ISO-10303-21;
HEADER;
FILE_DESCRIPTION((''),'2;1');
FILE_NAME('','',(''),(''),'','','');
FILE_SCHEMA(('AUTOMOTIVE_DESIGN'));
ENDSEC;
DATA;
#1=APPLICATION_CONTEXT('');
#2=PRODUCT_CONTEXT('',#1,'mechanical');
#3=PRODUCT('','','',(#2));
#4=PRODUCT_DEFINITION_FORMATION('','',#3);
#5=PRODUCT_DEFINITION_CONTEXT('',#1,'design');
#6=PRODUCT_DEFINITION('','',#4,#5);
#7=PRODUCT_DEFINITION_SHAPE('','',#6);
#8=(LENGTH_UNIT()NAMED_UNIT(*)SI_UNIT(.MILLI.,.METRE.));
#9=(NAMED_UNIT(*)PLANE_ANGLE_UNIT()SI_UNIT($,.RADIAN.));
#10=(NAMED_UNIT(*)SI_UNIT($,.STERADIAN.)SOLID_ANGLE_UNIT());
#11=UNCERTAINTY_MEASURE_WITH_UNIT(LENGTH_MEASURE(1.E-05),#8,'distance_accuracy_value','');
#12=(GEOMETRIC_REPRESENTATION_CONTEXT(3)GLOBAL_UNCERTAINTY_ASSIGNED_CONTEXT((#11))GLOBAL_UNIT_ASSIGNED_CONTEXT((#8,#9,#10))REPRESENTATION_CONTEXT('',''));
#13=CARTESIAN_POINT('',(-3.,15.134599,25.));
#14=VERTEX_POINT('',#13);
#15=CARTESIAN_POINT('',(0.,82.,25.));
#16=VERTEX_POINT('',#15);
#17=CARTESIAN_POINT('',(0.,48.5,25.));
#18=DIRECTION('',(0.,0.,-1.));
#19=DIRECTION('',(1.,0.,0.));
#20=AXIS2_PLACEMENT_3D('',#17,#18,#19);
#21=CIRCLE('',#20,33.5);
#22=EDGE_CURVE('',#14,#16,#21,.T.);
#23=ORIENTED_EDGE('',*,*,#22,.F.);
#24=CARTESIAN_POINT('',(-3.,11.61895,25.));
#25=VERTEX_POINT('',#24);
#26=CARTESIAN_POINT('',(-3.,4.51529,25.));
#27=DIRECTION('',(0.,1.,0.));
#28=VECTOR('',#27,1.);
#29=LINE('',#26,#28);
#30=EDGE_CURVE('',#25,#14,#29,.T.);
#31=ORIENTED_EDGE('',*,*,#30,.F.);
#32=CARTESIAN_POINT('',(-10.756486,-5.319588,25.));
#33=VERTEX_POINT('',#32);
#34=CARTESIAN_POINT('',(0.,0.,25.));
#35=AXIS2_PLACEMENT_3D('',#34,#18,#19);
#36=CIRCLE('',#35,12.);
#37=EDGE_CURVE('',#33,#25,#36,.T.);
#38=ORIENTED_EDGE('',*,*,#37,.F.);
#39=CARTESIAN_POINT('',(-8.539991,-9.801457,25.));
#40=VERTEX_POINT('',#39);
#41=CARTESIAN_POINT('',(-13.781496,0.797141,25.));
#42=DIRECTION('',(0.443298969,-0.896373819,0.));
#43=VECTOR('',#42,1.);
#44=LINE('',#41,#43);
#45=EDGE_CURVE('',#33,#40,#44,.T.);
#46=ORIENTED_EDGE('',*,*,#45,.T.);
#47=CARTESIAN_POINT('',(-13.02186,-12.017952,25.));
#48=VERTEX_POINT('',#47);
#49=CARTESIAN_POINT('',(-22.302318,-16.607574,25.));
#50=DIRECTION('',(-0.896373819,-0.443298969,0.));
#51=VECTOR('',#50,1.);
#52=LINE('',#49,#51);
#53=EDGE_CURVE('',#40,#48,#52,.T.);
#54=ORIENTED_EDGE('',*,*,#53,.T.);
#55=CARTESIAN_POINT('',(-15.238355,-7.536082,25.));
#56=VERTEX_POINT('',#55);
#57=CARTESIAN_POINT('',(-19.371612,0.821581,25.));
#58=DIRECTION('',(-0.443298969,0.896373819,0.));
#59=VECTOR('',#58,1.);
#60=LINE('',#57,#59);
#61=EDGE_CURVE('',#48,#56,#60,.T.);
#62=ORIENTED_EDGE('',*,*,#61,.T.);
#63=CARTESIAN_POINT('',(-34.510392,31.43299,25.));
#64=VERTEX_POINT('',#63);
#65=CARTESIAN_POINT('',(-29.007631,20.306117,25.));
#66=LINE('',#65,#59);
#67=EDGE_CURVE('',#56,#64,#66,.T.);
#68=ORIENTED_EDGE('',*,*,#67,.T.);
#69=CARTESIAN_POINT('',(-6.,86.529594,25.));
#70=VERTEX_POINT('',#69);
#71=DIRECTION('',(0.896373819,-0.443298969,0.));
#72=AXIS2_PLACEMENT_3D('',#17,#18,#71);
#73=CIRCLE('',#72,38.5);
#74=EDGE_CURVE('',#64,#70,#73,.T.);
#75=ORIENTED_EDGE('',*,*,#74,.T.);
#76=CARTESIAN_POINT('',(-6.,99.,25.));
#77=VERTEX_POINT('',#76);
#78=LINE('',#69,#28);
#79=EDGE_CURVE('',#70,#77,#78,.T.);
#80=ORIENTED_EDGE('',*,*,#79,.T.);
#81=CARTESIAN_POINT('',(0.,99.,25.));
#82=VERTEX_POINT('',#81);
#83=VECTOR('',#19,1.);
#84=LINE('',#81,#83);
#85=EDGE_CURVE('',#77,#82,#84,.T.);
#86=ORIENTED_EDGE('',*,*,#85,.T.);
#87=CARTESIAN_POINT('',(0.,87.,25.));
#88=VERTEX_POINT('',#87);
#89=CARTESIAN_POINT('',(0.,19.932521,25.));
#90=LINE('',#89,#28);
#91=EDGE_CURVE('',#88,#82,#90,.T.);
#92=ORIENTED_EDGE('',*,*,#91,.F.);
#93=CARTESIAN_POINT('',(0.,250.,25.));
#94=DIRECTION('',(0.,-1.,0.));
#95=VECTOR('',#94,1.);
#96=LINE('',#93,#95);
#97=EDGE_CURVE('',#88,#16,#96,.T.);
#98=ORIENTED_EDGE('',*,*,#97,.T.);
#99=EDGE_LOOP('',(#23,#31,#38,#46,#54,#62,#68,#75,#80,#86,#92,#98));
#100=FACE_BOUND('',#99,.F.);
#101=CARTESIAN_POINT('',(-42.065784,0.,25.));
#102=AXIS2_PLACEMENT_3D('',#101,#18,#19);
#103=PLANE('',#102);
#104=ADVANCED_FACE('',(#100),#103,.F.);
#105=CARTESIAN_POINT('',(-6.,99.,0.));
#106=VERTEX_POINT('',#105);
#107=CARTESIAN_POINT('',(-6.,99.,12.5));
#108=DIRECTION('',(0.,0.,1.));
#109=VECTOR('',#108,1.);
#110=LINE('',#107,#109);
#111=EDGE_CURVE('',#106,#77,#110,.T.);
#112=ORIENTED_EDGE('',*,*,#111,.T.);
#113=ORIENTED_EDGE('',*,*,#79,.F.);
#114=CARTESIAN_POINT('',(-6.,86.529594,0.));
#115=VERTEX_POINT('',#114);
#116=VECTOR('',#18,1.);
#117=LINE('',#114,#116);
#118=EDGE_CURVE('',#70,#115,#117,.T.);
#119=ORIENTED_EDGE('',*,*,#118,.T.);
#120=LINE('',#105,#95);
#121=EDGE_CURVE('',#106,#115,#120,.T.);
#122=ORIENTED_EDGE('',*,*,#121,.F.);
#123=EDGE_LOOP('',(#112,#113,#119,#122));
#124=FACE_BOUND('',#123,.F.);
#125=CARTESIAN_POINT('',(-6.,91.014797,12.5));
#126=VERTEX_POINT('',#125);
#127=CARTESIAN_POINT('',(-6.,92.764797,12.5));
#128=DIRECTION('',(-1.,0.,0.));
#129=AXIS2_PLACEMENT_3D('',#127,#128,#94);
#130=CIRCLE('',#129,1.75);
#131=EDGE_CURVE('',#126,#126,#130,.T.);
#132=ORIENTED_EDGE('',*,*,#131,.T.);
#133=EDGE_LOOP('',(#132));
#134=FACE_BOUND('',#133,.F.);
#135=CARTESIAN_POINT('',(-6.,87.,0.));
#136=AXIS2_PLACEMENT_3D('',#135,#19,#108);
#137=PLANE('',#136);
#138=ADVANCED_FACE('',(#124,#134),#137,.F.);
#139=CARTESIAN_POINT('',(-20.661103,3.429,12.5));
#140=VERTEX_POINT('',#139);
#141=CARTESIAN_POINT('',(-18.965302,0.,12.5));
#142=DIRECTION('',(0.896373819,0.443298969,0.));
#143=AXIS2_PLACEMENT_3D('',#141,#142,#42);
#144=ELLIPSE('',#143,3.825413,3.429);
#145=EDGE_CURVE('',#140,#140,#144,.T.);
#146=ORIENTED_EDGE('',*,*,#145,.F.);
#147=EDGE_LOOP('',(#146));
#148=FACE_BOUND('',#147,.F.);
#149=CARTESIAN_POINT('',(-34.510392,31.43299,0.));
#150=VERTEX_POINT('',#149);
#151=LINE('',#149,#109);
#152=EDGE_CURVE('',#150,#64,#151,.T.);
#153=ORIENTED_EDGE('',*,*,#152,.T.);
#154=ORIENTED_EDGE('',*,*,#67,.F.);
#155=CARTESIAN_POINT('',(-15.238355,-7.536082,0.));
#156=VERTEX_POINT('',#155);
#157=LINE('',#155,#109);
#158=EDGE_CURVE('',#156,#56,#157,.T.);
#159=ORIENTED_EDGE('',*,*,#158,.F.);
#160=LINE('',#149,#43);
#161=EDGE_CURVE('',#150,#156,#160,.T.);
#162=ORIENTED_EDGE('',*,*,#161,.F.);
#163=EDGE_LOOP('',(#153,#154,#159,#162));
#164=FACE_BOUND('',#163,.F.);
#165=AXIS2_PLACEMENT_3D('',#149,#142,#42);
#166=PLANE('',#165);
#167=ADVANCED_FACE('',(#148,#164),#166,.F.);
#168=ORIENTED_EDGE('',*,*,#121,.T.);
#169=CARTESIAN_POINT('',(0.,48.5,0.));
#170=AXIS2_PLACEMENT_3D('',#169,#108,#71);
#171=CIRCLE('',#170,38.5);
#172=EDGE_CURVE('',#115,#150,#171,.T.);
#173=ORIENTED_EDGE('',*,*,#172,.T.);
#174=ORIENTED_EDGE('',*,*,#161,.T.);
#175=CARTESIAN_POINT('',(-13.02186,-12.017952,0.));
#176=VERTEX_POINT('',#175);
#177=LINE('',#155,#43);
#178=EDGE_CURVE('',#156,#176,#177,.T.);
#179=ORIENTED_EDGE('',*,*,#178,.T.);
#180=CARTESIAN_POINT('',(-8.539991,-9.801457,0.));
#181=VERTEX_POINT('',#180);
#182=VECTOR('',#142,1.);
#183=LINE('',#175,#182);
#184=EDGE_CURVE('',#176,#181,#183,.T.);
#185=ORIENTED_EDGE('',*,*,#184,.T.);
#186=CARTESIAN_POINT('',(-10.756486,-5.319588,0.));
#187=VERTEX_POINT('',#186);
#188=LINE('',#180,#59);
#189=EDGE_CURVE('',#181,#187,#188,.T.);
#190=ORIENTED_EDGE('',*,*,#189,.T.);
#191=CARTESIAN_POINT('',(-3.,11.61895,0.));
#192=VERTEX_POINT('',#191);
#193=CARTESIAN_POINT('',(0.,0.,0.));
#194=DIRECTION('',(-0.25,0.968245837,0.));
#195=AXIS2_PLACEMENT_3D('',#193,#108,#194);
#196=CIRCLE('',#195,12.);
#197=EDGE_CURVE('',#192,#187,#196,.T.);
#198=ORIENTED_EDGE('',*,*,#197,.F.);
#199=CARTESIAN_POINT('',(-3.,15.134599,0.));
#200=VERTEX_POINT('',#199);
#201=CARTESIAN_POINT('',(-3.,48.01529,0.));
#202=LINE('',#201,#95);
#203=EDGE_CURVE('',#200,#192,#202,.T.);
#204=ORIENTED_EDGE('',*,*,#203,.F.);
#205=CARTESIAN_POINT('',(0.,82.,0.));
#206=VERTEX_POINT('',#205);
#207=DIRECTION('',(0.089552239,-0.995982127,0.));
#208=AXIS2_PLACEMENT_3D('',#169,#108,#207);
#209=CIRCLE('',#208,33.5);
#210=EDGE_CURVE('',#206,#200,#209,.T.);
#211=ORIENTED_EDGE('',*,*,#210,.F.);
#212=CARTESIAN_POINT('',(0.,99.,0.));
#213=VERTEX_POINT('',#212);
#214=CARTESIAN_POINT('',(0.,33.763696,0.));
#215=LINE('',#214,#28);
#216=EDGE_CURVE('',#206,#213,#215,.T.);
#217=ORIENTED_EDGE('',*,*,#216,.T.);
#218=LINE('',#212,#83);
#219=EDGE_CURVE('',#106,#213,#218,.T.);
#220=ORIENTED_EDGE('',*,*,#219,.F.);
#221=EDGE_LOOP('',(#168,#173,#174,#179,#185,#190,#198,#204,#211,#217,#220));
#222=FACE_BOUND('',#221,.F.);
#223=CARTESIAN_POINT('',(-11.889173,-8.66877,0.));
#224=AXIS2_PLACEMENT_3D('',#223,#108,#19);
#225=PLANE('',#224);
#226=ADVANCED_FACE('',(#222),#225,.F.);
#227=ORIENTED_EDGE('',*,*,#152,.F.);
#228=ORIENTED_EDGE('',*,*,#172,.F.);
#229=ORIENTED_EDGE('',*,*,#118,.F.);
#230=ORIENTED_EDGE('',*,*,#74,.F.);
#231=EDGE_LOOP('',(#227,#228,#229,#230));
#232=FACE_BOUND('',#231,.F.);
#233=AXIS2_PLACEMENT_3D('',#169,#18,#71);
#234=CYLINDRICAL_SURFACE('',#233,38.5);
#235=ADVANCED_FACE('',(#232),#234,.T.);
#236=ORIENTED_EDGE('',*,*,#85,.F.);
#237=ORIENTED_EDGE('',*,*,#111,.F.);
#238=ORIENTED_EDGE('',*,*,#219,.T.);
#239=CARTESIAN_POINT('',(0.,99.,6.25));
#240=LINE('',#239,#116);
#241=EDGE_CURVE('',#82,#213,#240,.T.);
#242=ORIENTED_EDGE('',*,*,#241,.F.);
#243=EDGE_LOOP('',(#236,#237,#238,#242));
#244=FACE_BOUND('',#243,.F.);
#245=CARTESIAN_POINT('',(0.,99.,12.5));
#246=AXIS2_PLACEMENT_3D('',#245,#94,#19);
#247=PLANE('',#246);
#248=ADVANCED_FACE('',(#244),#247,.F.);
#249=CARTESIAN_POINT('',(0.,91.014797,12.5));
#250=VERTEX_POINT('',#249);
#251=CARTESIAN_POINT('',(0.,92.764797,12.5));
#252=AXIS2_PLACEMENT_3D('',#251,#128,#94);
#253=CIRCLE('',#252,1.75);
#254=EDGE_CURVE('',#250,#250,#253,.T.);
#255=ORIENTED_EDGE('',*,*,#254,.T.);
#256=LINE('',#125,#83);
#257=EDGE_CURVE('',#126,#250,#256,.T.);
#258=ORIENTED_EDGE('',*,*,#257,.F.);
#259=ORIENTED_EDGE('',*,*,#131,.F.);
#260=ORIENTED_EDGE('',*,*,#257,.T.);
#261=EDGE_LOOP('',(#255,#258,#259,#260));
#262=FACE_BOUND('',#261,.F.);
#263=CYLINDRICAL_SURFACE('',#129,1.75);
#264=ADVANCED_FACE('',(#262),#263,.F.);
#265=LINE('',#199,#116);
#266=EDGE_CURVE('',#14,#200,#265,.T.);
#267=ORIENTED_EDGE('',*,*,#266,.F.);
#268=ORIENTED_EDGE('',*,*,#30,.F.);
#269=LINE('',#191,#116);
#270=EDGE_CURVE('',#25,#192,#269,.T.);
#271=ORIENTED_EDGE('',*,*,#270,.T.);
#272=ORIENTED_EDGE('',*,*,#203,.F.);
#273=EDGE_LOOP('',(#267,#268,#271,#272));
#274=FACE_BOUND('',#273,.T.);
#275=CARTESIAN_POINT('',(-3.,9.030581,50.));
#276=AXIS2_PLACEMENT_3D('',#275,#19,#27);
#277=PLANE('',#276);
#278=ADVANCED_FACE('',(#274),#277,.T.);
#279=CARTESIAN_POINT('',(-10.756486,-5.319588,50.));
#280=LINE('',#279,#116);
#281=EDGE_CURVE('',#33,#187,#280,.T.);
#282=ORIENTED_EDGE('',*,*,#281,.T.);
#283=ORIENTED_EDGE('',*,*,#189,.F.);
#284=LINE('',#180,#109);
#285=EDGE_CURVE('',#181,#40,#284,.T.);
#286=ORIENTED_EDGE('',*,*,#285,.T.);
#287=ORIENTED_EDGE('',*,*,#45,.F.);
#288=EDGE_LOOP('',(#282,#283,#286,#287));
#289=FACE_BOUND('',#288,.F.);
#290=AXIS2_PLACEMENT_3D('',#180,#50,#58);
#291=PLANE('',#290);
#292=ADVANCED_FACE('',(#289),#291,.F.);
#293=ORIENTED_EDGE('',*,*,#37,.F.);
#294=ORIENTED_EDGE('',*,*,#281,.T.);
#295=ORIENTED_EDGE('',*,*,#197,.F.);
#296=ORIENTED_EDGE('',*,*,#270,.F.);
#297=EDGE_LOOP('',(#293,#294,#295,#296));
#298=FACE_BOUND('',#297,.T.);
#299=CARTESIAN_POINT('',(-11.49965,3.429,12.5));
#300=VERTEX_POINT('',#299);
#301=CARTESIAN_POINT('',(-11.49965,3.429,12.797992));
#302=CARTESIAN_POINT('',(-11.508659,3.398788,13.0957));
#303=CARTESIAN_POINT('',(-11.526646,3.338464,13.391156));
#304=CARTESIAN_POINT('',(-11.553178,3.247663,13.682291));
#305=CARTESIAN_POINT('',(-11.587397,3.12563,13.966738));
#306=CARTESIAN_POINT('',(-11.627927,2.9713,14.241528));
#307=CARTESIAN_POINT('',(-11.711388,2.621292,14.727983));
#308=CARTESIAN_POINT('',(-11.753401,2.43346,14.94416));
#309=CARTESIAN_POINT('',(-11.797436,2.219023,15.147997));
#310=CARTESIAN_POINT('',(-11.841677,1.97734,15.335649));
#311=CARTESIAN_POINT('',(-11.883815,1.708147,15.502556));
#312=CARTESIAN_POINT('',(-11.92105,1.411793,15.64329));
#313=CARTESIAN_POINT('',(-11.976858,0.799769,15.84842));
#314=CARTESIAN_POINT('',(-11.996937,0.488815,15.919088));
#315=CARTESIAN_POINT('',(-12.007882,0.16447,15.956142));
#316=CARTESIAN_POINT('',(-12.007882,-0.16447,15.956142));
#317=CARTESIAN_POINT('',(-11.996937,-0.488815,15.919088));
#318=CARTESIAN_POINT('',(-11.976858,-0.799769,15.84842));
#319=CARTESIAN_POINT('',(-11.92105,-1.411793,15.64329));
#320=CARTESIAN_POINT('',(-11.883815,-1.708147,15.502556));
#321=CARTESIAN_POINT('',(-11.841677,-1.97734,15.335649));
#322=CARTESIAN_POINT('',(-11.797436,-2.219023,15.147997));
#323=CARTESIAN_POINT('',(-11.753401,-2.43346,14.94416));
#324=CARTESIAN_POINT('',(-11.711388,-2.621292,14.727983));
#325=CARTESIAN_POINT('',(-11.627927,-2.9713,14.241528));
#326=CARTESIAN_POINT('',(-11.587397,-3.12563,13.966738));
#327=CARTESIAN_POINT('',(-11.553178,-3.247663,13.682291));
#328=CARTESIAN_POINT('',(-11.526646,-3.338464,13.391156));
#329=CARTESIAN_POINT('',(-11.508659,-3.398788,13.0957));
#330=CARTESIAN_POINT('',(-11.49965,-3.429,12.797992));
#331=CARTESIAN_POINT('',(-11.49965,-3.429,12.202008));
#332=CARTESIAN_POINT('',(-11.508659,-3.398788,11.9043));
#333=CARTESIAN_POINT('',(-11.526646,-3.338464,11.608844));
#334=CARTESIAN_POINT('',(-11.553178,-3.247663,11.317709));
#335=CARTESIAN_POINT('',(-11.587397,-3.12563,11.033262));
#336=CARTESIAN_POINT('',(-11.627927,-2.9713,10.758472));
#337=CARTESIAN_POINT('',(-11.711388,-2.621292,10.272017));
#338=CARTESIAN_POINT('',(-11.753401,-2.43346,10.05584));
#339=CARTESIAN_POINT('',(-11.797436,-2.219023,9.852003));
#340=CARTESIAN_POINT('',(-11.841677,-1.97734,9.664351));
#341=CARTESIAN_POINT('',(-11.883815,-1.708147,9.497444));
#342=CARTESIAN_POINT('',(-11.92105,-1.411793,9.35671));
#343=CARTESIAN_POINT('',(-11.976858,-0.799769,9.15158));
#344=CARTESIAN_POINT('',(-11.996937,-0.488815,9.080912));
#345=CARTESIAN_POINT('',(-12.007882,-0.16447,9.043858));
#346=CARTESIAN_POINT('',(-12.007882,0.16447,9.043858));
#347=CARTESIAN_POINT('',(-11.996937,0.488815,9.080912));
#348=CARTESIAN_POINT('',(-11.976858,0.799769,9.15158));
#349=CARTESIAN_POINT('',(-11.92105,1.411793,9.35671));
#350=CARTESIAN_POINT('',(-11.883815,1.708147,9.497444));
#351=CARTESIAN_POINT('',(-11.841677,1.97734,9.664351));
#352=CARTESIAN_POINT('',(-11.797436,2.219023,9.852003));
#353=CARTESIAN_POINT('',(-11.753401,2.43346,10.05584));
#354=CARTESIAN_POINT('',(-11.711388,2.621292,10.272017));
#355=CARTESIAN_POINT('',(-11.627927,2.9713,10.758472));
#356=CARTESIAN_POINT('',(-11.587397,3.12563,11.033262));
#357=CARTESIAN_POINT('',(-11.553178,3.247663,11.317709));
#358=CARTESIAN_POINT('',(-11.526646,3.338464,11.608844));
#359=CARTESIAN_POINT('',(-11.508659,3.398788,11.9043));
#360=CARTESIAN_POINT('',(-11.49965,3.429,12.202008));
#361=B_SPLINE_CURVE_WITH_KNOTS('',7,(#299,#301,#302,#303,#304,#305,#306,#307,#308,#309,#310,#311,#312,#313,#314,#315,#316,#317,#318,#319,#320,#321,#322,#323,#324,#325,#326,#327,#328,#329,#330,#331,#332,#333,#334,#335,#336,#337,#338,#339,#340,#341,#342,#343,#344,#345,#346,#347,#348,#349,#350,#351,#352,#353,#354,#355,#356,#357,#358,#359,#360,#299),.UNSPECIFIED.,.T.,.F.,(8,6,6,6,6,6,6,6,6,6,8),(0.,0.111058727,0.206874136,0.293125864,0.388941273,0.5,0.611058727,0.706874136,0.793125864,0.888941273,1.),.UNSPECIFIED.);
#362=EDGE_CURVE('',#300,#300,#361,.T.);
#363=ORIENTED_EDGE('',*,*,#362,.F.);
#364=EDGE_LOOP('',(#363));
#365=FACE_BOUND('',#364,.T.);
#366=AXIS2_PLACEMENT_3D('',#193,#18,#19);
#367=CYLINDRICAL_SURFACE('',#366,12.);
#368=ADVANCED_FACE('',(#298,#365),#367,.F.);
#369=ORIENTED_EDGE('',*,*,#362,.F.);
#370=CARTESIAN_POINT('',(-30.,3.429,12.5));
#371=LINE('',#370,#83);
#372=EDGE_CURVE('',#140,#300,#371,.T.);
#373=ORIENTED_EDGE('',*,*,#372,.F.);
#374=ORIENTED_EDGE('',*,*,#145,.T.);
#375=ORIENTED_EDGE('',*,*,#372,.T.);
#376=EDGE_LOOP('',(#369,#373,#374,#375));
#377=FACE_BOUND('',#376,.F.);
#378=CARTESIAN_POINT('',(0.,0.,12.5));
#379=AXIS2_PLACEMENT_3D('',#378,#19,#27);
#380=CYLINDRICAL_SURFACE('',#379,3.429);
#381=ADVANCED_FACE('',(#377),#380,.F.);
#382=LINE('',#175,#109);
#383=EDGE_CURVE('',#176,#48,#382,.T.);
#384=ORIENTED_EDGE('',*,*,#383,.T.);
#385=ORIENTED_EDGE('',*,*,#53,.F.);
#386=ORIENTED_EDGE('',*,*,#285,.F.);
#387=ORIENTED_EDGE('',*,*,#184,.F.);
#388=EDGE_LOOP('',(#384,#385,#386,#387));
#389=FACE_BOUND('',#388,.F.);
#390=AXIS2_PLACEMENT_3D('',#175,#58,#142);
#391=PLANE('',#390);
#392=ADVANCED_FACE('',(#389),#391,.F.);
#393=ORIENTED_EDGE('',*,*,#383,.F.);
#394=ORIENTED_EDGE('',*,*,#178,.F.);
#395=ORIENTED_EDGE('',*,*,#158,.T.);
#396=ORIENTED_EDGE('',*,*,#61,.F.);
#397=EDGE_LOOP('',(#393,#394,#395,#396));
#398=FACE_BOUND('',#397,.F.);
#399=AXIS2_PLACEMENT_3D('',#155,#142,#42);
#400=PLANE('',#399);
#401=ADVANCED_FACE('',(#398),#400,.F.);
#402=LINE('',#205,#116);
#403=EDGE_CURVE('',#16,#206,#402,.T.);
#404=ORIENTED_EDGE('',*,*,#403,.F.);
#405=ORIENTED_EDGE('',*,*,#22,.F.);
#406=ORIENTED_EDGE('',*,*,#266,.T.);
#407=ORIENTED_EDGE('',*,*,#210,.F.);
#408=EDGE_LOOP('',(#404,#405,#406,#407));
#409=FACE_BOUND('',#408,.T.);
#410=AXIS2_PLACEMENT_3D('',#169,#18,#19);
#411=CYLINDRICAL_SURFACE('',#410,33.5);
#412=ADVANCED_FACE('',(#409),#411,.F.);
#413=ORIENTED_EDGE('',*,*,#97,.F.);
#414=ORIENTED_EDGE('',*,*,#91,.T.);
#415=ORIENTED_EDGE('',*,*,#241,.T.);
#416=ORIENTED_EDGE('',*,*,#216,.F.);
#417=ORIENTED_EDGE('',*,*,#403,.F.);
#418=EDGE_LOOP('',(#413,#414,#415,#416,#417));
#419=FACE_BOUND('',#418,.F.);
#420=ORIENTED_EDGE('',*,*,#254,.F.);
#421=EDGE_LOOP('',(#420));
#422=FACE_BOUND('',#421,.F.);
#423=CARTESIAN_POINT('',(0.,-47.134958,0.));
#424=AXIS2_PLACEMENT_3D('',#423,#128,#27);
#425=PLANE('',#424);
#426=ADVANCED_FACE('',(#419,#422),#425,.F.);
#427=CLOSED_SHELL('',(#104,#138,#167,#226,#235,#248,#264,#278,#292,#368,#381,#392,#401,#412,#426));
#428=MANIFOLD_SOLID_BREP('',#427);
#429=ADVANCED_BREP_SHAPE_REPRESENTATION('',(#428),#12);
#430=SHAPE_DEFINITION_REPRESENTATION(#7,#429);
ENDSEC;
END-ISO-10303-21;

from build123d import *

# Parameters (mm, degrees)
F0_R      = 12
F0_R_2    = 33.5
F1_DEPTH  = 50
F4_DEPTH  = 25
F5_W      = 12
F5_H      = 25
F6_DEPTH  = 1
F7_DEPTH  = 12
F8_R      = 3.429
F9_DEPTH  = 30
F10_R     = 1.75
F11_DEPTH = 25
F12_W     = 6
F12_H     = 8.7619052733
F13_DEPTH = 55
F15_DEPTH = 52
F17_DEPTH = 50
F18_W     = 81.3058614731
F18_H     = 161.7973074317
F19_DEPTH = 50
F20_W     = 42.0657843351
F20_H     = 29.0236644447
F21_DEPTH = 250


with BuildPart() as f1:
    # F0 (on Top) → F1 (new body)
    with BuildSketch(Plane.XY):
        with BuildLine():
            ThreePointArc((34.510392045, 31.4329896907), (0, 87), (-34.510392045, 31.4329896907))
            Line((-34.510392045, 31.4329896907), (-15.238354929, -7.5360824742))
            ThreePointArc((-15.238354929, -7.5360824742), (0, -17), (15.238354929, -7.5360824742))
            Line((15.238354929, -7.5360824742), (34.510392045, 31.4329896907))
        make_face()
        Circle(F0_R, mode=Mode.SUBTRACT)
        with Locations((0, 48.5)):
            Circle(F0_R_2, mode=Mode.SUBTRACT)
    extrude(amount=F1_DEPTH)

    # F3 (on offset) → F4 (cut)
    with BuildSketch(Plane.XZ.offset(-87)):
        with BuildLine():
            add(Edge.make_bspline(
                [(17.5, 50), (17.5, 73), (0, 73), (-17.5, 73), (-17.5, 50)],
                knots=[1.5707963268, 1.5707963268, 1.5707963268, 3.1415926536, 3.1415926536, 4.7123889804, 4.7123889804, 4.7123889804], degree=2, weights=[1, 0.7071067812, 1, 0.7071067812, 1]))
            Line((-17.5, 50), (17.5, 50))
        make_face()
        with BuildLine():
            Line((17.5, 50), (-17.5, 50))
            add(Edge.make_bspline(
                [(-17.5, 50), (-17.5, 27), (0, 27)],
                knots=[4.7123889804, 4.7123889804, 4.7123889804, 6.2831853072, 6.2831853072, 6.2831853072], degree=2, weights=[1, 0.7071067812, 1]))
            add(Edge.make_bspline(
                [(0, 27), (17.5, 27), (17.5, 50)],
                knots=[0, 0, 0, 1.5707963268, 1.5707963268, 1.5707963268], degree=2, weights=[1, 0.7071067812, 1]))
        make_face()
    extrude(amount=F4_DEPTH, mode=Mode.SUBTRACT)

    # F5 (on offset) → F6 (join)
    with BuildSketch(Plane.XZ.offset(-87)):
        with Locations((0, 12.5)):
            Rectangle(F5_W, F5_H)
    extrude(amount=F6_DEPTH)

    # F5 (on offset) → F7 (join)
    with BuildSketch(Plane.XZ.offset(-87)):
        with Locations((0, 12.5)):
            Rectangle(F5_W, F5_H)
    extrude(amount=-F7_DEPTH)

    # F8 (on Right) → F9 (cut, symmetric)
    with BuildSketch(Plane.YZ):
        with Locations((0, 12.5)):
            Circle(F8_R)
    extrude(amount=F9_DEPTH, both=True, mode=Mode.SUBTRACT)

    # F10 (on face) → F11 (cut)
    with BuildSketch(Plane(origin=(-6, 0, 0), x_dir=(0, -1, 0), z_dir=(-1, 0, 0))):
        with Locations((-92.7647968698, 12.5)):
            Circle(F10_R)
    extrude(amount=-F11_DEPTH, mode=Mode.SUBTRACT)

    # F12 (on face) → F13 (cut)
    with BuildSketch(Plane.XY.offset(50)):
        with Locations((0, 13.4115335532)):
            Rectangle(F12_W, F12_H)
    extrude(amount=-F13_DEPTH, mode=Mode.SUBTRACT)

    # F14 (on face) → F15 (cut)
    with BuildSketch(Plane.XY.offset(50)):
        with BuildLine():
            ThreePointArc((10.7564858322, -5.3195876289), (0, -12), (-10.7564858322, -5.3195876289))
            Line((-10.7564858322, -5.3195876289), (-15.238354929, -7.5360824742))
            ThreePointArc((-15.238354929, -7.5360824742), (0, -17), (15.238354929, -7.5360824742))
            Line((15.238354929, -7.5360824742), (10.7564858322, -5.3195876289))
        make_face()
    extrude(amount=-F15_DEPTH, mode=Mode.SUBTRACT)

    # F16 (on Top) → F17 (join)
    with BuildSketch(Plane.XY):
        Polygon((-10.7564858322, -5.3195876289), (-15.238354929, -7.5360824742), (-13.0218600836, -12.017951571), (-8.5399909869, -9.8014567256), align=None)
        Polygon((13.0218600836, -12.017951571), (15.238354929, -7.5360824742), (10.7564858322, -5.3195876289), (8.5399909869, -9.8014567256), align=None)
    extrude(amount=F17_DEPTH)

    # F18 (on Top) → F19 (cut)
    with BuildSketch(Plane.XY):
        with Locations((40.6529307365, 33.7636955082)):
            Rectangle(F18_W, F18_H)
    extrude(amount=F19_DEPTH, mode=Mode.SUBTRACT)

    # F20 (on Front) → F21 (cut, symmetric)
    with BuildSketch(Plane.XZ):
        with Locations((-21.0328921676, 39.5118322223)):
            Rectangle(F20_W, F20_H)
    extrude(amount=F21_DEPTH, both=True, mode=Mode.SUBTRACT)


solid = f1.part
